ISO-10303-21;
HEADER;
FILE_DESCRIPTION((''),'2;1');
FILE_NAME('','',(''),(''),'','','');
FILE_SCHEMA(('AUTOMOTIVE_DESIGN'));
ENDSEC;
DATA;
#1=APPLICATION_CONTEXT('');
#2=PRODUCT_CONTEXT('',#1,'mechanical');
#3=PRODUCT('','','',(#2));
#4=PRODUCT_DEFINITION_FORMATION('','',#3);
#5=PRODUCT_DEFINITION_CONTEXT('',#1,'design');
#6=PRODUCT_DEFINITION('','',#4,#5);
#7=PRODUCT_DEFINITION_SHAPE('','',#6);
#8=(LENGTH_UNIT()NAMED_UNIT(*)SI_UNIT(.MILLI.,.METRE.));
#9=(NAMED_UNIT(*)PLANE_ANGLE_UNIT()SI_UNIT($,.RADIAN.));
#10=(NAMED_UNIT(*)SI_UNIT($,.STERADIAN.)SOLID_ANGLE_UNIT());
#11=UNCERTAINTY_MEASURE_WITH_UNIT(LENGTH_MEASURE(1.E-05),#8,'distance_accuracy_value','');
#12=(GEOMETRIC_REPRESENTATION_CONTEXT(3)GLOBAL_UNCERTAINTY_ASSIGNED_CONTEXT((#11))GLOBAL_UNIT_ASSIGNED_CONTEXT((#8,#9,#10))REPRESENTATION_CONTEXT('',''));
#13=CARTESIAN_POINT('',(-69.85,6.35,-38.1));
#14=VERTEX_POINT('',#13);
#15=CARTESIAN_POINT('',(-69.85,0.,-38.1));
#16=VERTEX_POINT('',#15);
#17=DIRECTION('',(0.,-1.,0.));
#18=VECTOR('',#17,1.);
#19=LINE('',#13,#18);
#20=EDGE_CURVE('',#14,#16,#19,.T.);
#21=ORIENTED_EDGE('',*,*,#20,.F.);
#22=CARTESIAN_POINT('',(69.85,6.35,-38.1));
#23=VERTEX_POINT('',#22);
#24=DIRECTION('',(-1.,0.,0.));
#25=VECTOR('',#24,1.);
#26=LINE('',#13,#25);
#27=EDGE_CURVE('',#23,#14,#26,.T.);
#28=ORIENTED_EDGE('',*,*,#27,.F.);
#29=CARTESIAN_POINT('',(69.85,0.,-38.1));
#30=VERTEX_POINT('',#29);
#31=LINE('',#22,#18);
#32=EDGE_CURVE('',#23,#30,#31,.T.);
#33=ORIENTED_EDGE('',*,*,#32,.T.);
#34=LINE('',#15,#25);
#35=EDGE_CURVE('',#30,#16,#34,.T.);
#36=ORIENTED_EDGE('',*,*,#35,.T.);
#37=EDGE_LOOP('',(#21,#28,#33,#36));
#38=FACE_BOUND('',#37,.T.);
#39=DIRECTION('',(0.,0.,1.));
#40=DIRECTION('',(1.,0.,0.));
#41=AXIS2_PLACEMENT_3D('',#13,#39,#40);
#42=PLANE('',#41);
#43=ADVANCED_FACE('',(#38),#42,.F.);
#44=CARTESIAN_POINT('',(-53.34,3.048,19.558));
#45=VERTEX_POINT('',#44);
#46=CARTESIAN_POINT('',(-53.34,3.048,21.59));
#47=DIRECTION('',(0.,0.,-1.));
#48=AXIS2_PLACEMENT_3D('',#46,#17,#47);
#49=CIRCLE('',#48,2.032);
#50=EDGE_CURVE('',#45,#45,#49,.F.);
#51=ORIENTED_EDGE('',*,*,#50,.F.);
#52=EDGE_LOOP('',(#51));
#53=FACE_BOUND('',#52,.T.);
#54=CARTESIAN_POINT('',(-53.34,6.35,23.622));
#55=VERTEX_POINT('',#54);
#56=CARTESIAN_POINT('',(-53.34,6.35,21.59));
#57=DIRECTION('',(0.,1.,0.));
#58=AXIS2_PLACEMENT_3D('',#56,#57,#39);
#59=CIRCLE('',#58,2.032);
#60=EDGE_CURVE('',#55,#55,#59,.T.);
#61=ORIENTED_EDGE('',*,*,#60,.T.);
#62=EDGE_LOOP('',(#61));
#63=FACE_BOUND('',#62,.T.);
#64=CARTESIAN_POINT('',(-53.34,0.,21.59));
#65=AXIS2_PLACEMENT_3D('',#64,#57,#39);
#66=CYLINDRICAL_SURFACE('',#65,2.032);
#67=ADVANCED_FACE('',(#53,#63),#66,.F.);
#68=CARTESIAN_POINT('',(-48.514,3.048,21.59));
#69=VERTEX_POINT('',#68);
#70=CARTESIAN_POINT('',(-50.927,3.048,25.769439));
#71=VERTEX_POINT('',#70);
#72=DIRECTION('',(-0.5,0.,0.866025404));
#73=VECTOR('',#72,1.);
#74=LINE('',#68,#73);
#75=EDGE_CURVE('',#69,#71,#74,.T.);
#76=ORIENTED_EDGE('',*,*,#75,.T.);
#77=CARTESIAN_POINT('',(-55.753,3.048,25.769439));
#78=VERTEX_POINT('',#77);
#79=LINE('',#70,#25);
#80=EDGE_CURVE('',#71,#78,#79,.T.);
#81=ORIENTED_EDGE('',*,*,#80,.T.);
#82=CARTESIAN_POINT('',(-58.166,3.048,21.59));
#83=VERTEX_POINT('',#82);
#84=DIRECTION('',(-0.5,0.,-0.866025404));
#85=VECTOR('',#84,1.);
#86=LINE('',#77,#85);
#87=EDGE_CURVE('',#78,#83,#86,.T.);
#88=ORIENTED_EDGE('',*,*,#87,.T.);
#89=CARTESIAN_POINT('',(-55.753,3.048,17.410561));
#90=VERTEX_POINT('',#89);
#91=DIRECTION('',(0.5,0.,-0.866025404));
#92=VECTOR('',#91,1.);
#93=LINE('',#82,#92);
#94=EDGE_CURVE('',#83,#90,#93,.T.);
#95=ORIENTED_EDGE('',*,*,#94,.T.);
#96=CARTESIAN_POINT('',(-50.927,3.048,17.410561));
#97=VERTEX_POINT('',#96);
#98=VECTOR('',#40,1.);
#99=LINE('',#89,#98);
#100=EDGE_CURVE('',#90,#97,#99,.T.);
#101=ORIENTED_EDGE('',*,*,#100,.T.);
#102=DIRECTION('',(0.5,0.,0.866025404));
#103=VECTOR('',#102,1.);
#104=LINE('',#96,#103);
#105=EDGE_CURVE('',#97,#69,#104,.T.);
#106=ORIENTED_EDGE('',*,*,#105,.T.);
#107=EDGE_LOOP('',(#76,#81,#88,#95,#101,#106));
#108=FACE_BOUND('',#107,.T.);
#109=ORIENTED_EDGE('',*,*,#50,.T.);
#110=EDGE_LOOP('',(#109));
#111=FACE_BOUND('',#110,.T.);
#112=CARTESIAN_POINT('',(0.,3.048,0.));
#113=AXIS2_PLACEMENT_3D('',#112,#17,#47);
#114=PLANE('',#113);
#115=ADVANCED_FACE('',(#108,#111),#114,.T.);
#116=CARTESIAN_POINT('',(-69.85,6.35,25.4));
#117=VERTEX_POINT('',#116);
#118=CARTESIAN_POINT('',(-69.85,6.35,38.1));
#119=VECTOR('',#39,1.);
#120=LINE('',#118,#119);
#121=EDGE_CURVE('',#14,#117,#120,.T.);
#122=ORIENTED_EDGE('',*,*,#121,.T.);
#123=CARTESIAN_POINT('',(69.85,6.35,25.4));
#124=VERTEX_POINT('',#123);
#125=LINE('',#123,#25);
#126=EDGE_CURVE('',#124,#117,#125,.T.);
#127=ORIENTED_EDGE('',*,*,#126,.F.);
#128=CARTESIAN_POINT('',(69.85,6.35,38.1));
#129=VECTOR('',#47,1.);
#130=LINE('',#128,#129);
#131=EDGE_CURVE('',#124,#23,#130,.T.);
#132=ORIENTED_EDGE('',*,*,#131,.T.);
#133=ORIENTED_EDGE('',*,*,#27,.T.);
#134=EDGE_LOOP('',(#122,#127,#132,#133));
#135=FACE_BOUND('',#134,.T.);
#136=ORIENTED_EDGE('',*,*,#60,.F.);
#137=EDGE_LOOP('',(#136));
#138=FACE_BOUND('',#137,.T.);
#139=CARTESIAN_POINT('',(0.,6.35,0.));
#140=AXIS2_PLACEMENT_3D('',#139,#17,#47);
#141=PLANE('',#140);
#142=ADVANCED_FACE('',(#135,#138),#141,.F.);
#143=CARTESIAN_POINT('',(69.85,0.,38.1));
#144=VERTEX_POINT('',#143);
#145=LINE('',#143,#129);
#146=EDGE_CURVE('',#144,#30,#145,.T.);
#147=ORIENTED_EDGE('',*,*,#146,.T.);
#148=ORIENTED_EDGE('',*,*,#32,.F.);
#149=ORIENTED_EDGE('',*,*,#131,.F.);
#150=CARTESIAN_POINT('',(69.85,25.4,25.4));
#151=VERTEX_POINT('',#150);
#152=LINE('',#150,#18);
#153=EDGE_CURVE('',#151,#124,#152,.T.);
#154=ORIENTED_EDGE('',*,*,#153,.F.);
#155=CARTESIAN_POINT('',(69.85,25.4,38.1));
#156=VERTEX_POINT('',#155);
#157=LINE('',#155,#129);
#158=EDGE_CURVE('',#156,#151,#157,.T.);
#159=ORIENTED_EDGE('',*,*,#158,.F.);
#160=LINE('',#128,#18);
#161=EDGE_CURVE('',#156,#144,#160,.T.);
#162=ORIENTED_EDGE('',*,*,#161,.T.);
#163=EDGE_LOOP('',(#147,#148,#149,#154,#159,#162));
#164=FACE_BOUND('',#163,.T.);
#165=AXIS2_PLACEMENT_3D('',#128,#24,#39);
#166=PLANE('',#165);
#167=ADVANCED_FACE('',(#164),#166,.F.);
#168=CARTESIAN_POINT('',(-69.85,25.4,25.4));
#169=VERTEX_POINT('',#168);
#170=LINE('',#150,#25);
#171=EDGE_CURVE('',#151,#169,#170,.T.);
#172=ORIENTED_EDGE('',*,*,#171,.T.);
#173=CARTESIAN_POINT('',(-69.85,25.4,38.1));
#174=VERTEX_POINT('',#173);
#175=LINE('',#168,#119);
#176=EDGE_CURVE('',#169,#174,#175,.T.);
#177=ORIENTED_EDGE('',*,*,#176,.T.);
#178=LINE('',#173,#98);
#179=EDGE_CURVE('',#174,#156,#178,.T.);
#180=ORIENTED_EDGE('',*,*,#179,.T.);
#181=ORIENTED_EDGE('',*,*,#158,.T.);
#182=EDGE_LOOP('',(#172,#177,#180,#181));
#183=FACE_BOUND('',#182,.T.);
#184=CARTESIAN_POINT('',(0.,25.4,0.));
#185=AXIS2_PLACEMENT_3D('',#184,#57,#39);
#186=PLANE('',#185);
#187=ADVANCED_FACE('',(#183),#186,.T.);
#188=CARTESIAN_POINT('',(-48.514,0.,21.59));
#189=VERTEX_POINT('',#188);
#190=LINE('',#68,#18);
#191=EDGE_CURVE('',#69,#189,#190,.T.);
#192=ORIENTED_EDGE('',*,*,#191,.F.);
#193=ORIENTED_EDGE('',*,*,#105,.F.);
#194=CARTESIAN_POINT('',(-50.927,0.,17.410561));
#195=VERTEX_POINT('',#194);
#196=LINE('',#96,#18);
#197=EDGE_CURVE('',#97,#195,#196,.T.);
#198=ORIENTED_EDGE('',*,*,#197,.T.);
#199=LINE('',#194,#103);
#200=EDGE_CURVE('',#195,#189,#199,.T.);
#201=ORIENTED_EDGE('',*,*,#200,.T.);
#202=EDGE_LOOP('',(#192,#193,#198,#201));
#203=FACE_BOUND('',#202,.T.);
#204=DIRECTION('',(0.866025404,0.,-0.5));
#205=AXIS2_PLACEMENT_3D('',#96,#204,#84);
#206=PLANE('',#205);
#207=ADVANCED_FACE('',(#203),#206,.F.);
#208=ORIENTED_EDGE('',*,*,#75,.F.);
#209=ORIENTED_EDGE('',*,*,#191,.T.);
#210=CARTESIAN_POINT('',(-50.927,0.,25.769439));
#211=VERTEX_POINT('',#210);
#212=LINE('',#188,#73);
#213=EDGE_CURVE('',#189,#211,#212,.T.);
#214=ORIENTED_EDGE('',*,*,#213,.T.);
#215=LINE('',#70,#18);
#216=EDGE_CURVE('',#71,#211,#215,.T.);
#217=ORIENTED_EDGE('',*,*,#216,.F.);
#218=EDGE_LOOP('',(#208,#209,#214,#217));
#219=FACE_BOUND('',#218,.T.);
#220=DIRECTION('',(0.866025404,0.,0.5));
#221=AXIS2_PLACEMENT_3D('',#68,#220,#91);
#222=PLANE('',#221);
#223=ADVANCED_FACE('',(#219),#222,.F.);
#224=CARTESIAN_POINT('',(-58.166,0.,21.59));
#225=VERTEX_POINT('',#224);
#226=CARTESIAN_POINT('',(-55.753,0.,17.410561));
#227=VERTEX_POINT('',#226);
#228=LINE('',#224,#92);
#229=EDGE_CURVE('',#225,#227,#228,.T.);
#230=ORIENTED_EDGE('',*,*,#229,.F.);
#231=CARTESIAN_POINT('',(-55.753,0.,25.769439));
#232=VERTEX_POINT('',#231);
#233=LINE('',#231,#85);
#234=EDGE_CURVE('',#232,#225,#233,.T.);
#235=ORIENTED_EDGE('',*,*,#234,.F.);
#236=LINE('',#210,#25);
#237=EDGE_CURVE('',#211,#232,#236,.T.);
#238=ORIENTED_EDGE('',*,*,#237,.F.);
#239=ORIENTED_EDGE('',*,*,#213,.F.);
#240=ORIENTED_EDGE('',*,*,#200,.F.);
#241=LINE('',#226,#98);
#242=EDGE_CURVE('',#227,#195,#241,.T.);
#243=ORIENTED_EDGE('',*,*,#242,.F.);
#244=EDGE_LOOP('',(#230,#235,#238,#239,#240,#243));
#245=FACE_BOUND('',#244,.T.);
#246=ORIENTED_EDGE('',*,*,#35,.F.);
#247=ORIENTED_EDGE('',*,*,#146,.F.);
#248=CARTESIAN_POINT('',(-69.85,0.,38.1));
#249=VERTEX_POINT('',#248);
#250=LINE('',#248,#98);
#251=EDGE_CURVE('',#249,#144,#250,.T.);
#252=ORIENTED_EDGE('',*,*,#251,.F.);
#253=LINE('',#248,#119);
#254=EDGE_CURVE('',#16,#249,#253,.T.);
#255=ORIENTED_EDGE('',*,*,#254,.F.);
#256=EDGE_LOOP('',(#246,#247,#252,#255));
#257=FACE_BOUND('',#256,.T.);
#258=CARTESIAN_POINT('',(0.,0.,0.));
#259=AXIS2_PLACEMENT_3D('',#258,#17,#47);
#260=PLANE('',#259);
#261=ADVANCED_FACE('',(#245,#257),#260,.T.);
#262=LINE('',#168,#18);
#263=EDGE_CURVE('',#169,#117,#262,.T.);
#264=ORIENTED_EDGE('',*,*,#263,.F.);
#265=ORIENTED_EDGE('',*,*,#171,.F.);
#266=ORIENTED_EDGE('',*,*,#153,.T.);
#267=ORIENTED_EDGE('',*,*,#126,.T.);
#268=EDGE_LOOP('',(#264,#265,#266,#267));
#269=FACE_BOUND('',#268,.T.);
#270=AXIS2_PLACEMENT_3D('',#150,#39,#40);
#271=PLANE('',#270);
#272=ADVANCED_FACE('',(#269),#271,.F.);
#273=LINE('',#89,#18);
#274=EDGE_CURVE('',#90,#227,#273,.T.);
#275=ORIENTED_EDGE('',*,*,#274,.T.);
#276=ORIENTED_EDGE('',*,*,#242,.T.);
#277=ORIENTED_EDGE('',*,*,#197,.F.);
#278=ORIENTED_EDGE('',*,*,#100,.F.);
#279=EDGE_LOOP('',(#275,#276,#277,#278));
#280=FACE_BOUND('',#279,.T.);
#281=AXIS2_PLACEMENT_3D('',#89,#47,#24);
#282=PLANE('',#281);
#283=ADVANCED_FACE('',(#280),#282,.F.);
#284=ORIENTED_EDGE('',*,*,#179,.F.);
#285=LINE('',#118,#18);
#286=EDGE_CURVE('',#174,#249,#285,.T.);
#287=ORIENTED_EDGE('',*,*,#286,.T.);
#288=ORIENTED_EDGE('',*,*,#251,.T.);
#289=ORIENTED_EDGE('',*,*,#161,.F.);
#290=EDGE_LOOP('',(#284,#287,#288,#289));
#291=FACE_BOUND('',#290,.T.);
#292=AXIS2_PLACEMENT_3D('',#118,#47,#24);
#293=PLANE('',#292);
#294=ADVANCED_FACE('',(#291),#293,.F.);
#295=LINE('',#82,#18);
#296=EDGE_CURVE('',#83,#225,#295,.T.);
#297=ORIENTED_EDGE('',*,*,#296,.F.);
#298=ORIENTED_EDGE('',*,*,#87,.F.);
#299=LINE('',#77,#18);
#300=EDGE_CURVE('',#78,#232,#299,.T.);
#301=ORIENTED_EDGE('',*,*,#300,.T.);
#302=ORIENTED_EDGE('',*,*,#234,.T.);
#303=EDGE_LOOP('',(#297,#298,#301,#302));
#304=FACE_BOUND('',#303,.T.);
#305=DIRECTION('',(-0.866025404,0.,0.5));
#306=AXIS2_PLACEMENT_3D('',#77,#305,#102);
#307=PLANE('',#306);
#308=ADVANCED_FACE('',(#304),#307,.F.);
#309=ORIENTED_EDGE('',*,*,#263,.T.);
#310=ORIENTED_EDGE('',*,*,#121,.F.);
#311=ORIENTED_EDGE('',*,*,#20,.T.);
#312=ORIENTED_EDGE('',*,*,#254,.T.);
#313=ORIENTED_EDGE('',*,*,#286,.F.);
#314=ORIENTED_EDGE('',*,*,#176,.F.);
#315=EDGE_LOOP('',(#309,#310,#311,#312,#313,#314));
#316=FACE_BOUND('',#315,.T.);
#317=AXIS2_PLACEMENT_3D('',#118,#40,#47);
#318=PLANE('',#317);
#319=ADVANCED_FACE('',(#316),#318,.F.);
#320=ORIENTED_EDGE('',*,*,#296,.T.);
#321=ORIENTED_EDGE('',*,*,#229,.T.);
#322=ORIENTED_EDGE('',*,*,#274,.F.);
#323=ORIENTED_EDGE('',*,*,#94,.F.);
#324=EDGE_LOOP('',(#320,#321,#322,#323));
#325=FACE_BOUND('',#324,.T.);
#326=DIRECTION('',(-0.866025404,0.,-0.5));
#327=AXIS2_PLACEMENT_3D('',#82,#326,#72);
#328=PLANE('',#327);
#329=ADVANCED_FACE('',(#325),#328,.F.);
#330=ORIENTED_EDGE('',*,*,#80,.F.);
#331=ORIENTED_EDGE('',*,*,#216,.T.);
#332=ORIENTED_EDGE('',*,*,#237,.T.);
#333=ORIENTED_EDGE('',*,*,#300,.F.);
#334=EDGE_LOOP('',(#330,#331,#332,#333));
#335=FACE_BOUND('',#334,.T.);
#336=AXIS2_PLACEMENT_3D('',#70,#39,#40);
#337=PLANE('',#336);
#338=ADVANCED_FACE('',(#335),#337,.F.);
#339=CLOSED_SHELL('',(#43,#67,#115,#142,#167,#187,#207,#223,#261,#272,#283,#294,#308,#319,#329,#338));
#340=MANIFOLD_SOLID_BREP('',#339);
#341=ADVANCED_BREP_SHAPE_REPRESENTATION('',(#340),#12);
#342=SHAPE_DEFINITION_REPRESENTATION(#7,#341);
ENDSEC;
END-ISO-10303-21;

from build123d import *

# Parameters (mm, degrees)
SKETCH1_W           = 139.7
SKETCH1_H           = 76.2
BOSS_EXTRUDE1_DEPTH = 6.35
SKETCH2_W           = 139.7
SKETCH2_H           = 12.7
BOSS_EXTRUDE2_DEPTH = 19.05
SKETCH3_R           = 2.032
CUT_EXTRUDE1_DEPTH  = 82.814026915
CUT_EXTRUDE2_DEPTH  = 3.048


with BuildPart() as part:
    # Sketch1 → Boss-Extrude1 (new body)
    with BuildSketch(Plane(origin=(0, 0, 0), x_dir=(1, 0, 0), z_dir=(0, 1, 0))):
        Rectangle(SKETCH1_W, SKETCH1_H)
    extrude(amount=BOSS_EXTRUDE1_DEPTH)

    # Sketch2 → Boss-Extrude2 (add)
    with BuildSketch(Plane(origin=(0, 6.35, 0), x_dir=(1, 0, 0), z_dir=(0, 1, 0))):
        with Locations((0, -31.75)):
            Rectangle(SKETCH2_W, SKETCH2_H)
    extrude(amount=BOSS_EXTRUDE2_DEPTH)

    # Sketch3 → Cut-Extrude1 (cut, through all)
    with BuildSketch(Plane(origin=(0, 6.35, 0), x_dir=(1, 0, 0), z_dir=(0, 1, 0))):
        with Locations(Location((-53.34, -21.59, 0), (0, 0, 270))):
            Circle(SKETCH3_R)
    extrude(amount=-CUT_EXTRUDE1_DEPTH, mode=Mode.SUBTRACT)

    # Sketch4 → Cut-Extrude2 (cut)
    with BuildSketch(Plane.XZ):
        Polygon((-50.927, 25.769438599), (-55.753, 25.769438599), (-58.166, 21.59), (-55.753, 17.410561401), (-50.927, 17.410561401), (-48.514, 21.59), align=None)
    extrude(amount=-CUT_EXTRUDE2_DEPTH, mode=Mode.SUBTRACT)


solid = part.part
